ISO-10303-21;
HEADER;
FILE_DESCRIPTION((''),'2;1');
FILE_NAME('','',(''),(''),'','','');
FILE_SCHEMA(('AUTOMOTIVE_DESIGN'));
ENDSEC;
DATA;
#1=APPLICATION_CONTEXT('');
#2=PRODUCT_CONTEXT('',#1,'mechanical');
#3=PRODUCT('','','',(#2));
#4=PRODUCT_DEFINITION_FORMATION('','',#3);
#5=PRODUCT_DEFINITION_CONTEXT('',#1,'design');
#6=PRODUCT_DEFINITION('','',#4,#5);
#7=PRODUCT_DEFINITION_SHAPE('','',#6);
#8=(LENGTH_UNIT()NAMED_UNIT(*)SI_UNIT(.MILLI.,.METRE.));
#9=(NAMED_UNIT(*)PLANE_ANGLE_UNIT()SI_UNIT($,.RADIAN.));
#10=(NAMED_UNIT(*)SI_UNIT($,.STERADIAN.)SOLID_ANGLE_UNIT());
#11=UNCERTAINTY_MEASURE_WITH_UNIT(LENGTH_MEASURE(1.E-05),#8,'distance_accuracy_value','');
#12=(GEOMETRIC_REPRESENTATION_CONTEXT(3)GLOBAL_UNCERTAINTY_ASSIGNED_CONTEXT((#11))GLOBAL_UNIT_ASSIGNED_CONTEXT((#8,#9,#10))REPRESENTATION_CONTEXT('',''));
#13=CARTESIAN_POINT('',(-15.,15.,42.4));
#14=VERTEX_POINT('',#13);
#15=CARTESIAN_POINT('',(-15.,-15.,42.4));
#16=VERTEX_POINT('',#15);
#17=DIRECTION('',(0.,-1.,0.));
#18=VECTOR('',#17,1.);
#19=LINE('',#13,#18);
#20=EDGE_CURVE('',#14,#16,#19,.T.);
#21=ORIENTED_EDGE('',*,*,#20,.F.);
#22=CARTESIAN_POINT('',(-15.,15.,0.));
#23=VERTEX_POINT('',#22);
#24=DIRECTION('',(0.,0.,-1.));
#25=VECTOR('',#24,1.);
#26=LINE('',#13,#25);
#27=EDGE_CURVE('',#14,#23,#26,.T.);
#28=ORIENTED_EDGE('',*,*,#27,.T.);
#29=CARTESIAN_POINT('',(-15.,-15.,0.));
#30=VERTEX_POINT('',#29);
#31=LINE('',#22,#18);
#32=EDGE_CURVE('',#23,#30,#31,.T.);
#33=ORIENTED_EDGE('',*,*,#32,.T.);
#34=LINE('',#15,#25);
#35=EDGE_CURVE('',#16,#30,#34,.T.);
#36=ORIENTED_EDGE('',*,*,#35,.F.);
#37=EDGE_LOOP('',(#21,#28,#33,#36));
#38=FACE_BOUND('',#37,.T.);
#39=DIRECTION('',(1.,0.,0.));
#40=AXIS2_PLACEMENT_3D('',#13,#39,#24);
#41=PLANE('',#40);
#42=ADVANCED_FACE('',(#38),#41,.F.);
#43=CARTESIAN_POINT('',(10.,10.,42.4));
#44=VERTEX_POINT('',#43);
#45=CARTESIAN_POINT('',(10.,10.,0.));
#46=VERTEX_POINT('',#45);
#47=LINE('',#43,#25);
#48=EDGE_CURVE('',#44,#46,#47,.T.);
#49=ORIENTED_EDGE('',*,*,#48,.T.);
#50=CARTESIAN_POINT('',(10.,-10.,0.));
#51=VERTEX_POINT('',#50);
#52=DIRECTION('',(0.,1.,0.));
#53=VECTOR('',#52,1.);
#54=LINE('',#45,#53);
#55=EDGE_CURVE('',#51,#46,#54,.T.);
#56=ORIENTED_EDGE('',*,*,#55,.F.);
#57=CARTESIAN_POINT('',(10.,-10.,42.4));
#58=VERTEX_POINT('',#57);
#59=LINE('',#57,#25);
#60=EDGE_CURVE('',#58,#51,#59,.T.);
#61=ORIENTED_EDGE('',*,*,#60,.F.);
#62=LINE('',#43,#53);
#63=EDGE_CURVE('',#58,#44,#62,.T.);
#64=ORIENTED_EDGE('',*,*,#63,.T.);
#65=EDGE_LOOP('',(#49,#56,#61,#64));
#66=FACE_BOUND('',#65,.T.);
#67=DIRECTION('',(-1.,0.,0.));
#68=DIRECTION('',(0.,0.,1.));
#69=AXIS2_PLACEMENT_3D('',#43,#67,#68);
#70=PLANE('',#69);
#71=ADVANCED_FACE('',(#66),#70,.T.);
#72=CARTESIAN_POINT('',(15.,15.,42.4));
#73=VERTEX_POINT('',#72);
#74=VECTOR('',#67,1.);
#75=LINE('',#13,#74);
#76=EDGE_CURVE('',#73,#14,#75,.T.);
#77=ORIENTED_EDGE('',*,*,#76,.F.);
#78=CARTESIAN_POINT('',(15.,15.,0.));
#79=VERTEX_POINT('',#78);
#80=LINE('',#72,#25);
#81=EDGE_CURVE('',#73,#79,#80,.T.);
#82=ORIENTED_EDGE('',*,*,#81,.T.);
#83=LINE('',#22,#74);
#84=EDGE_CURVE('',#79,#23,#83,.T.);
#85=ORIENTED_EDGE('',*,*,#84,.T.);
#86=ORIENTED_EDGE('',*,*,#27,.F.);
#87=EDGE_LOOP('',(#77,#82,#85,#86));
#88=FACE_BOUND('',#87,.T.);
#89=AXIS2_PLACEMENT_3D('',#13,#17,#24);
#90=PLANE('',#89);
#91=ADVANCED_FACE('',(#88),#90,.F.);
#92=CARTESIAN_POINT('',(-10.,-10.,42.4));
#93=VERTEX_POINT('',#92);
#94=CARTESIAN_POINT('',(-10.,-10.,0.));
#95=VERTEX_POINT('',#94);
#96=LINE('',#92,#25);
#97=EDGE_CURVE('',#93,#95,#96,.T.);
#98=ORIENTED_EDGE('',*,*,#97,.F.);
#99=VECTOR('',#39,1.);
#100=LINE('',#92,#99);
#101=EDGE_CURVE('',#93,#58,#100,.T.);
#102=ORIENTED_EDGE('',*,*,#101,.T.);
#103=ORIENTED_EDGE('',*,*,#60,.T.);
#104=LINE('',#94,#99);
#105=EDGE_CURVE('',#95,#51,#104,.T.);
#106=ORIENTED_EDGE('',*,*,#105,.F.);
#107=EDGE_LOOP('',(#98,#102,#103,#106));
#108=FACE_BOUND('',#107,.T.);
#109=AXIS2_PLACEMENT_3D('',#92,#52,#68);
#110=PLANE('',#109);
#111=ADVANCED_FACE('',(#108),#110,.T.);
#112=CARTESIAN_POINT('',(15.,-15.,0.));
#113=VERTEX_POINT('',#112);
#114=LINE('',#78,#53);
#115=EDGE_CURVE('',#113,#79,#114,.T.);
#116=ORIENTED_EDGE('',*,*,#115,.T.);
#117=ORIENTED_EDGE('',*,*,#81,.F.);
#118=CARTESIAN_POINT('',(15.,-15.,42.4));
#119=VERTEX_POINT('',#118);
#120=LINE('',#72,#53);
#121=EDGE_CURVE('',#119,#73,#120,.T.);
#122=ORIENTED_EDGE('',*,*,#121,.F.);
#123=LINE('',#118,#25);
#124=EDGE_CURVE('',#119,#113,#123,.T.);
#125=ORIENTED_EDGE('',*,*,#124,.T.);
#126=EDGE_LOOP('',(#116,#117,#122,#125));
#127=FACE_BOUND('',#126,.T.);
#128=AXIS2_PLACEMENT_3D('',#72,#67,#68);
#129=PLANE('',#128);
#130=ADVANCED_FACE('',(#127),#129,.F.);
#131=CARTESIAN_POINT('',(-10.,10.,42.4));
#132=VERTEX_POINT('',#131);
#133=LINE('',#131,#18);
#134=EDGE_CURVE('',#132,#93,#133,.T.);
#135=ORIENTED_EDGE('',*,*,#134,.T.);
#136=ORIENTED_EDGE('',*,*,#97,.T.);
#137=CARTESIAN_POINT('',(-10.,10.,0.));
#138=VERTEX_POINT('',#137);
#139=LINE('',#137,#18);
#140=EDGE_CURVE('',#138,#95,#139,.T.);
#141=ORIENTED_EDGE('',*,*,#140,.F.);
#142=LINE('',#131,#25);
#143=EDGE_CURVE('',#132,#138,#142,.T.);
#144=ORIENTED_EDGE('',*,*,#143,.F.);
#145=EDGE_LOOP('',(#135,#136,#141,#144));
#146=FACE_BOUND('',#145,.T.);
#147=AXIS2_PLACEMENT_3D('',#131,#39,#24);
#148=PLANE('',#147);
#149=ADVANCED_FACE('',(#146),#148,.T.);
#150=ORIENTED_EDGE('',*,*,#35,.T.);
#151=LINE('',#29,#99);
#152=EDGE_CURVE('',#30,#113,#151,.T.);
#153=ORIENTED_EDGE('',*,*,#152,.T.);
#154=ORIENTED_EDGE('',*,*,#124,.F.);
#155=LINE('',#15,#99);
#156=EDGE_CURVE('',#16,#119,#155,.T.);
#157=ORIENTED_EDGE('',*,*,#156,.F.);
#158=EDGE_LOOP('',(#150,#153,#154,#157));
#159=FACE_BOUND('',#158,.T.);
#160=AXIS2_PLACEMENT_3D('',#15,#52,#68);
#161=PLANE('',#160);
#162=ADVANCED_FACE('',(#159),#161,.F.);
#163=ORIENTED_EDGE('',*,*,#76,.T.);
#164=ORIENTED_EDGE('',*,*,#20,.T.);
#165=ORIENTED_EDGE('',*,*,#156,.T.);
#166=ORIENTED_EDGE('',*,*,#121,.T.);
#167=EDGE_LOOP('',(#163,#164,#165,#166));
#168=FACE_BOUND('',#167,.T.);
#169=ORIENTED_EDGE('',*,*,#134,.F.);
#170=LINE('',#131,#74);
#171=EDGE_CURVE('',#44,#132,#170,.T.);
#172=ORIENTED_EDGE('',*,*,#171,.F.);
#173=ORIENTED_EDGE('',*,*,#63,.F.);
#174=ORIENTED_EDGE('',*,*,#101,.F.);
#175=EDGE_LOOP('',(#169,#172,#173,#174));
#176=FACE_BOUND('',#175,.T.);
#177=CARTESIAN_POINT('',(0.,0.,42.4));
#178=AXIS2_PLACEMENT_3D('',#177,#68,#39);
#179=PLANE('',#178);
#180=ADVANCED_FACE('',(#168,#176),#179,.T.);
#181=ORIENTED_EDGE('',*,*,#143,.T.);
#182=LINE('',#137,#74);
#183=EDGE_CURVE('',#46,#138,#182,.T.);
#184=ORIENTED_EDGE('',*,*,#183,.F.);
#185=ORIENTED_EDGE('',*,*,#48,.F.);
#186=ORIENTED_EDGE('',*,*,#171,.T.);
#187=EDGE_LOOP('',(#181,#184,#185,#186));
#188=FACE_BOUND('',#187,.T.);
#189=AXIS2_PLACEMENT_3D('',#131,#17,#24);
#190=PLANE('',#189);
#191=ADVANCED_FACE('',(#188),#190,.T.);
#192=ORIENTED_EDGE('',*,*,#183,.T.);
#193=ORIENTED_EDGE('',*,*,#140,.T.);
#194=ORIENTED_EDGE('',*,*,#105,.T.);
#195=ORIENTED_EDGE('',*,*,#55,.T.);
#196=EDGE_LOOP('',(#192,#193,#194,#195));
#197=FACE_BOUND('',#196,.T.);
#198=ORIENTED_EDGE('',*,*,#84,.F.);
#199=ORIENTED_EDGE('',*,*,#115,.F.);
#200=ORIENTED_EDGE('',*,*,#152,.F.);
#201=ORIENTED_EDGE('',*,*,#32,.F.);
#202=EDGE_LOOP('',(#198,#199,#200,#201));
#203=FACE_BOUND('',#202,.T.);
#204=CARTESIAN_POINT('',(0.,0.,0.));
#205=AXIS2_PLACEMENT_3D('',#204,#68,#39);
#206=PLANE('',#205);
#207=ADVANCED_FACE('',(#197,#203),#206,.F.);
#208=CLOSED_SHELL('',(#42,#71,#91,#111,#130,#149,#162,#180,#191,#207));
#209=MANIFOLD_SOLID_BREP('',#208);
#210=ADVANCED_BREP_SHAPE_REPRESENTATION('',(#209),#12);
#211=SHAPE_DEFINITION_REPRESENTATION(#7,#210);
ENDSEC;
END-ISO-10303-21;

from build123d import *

# Parameters (mm, degrees)
SKETCH1_W           = 30
SKETCH1_H           = 30
SKETCH1_W_2         = 20
SKETCH1_H_2         = 20
BOSS_EXTRUDE1_DEPTH = 42.4


with BuildPart() as part:
    # Sketch1 → Boss-Extrude1 (new body)
    with BuildSketch(Plane.XY):
        Rectangle(SKETCH1_W, SKETCH1_H)
        Rectangle(SKETCH1_W_2, SKETCH1_H_2, mode=Mode.SUBTRACT)
    extrude(amount=BOSS_EXTRUDE1_DEPTH)


solid = part.part
